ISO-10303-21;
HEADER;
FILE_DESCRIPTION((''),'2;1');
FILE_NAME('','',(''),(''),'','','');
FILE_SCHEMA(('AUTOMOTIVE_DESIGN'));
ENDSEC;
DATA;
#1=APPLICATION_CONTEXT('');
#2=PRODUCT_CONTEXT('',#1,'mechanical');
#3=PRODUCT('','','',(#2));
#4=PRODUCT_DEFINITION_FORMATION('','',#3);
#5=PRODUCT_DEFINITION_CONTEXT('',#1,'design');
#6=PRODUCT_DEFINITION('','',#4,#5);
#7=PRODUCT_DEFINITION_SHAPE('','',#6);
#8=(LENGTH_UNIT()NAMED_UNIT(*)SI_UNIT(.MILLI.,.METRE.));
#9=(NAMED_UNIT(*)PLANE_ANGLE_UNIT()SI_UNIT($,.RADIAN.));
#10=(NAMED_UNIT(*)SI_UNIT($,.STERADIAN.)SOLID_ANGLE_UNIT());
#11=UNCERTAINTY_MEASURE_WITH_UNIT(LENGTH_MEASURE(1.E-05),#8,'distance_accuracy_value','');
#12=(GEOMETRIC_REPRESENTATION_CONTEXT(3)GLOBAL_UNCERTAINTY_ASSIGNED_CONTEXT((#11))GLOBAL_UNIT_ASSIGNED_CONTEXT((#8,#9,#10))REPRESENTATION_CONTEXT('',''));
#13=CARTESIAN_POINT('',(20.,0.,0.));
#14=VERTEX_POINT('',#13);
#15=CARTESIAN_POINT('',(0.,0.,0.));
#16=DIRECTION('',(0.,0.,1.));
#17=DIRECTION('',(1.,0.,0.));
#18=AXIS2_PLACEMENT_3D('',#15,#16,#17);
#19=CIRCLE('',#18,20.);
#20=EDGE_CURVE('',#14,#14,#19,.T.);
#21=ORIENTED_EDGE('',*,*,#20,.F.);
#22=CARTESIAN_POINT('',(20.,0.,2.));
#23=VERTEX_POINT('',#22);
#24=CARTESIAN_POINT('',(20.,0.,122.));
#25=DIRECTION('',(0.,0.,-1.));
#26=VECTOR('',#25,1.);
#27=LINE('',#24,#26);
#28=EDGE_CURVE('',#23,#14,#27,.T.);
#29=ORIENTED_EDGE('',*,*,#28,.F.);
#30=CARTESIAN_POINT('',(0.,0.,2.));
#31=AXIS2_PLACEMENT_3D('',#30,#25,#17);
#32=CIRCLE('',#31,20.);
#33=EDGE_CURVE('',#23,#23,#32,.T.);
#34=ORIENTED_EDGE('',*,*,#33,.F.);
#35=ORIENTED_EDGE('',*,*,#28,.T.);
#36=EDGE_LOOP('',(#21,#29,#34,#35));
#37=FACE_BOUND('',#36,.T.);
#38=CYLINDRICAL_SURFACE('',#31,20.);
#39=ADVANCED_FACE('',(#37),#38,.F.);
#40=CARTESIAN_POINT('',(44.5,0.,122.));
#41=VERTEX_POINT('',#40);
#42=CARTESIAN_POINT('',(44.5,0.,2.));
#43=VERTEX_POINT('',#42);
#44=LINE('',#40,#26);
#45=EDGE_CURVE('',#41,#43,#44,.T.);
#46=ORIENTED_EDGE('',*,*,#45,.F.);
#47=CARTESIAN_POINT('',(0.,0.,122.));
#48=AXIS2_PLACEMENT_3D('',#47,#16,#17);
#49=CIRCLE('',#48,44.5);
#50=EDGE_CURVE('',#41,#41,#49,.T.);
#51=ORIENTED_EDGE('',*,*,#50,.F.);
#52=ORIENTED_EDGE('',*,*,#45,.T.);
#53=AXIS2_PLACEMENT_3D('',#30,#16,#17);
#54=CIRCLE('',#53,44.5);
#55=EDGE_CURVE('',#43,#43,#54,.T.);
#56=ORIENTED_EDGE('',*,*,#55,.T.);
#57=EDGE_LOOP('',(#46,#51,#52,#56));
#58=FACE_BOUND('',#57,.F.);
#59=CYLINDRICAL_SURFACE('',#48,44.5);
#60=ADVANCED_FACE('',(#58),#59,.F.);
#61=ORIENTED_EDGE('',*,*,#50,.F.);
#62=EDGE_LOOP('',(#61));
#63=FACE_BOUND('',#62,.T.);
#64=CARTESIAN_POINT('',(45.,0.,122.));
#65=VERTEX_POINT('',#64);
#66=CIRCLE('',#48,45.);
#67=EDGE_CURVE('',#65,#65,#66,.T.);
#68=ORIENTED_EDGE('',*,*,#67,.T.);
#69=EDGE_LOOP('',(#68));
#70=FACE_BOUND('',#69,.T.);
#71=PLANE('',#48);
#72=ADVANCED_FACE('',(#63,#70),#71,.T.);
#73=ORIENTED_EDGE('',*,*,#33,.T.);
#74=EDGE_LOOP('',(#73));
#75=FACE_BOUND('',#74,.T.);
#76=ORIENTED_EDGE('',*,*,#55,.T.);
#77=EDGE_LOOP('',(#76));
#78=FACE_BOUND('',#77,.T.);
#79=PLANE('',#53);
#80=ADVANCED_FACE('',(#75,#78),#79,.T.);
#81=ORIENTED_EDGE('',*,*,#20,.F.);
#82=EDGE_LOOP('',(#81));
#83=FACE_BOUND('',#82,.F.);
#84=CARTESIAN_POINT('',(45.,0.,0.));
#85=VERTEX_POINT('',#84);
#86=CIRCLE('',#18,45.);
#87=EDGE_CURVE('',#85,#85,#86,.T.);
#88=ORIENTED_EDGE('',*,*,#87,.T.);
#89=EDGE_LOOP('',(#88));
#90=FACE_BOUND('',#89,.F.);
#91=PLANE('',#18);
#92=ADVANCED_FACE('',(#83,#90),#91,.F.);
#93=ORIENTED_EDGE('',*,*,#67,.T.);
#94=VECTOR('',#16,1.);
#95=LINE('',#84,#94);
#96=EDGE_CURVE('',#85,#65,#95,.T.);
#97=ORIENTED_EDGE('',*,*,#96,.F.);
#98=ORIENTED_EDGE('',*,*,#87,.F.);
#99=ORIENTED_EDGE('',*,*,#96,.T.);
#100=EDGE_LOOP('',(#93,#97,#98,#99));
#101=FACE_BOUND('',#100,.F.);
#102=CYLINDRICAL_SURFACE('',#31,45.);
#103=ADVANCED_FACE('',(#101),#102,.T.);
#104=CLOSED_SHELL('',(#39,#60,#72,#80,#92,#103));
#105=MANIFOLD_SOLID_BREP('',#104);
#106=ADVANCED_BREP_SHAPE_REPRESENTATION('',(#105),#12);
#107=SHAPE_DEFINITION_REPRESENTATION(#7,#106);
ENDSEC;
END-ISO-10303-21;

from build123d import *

# Parameters (mm, degrees)
F0_R        = 45
F0_R_2      = 20
F1_DEPTH    = 2
F1_FACE_R   = 45
F1_FACE_R_2 = 20
F2_DEPTH    = 120
F3_R        = 44.5
F4_DEPTH    = 120


with BuildPart() as f1:
    # F0 (on Top) → F1 (new body)
    with BuildSketch(Plane.XY):
        Circle(F0_R)
        Circle(F0_R_2, mode=Mode.SUBTRACT)
    extrude(amount=F1_DEPTH)

    # F1_face (on face) → F2 (join)
    with BuildSketch(Plane.XY.offset(2)):
        Circle(F1_FACE_R)
        Circle(F1_FACE_R_2, mode=Mode.SUBTRACT)
    extrude(amount=F2_DEPTH)

    # F3 (on face) → F4 (cut)
    with BuildSketch(Plane.XY.offset(122)):
        Circle(F3_R)
    extrude(amount=-F4_DEPTH, mode=Mode.SUBTRACT)


solid = f1.part
